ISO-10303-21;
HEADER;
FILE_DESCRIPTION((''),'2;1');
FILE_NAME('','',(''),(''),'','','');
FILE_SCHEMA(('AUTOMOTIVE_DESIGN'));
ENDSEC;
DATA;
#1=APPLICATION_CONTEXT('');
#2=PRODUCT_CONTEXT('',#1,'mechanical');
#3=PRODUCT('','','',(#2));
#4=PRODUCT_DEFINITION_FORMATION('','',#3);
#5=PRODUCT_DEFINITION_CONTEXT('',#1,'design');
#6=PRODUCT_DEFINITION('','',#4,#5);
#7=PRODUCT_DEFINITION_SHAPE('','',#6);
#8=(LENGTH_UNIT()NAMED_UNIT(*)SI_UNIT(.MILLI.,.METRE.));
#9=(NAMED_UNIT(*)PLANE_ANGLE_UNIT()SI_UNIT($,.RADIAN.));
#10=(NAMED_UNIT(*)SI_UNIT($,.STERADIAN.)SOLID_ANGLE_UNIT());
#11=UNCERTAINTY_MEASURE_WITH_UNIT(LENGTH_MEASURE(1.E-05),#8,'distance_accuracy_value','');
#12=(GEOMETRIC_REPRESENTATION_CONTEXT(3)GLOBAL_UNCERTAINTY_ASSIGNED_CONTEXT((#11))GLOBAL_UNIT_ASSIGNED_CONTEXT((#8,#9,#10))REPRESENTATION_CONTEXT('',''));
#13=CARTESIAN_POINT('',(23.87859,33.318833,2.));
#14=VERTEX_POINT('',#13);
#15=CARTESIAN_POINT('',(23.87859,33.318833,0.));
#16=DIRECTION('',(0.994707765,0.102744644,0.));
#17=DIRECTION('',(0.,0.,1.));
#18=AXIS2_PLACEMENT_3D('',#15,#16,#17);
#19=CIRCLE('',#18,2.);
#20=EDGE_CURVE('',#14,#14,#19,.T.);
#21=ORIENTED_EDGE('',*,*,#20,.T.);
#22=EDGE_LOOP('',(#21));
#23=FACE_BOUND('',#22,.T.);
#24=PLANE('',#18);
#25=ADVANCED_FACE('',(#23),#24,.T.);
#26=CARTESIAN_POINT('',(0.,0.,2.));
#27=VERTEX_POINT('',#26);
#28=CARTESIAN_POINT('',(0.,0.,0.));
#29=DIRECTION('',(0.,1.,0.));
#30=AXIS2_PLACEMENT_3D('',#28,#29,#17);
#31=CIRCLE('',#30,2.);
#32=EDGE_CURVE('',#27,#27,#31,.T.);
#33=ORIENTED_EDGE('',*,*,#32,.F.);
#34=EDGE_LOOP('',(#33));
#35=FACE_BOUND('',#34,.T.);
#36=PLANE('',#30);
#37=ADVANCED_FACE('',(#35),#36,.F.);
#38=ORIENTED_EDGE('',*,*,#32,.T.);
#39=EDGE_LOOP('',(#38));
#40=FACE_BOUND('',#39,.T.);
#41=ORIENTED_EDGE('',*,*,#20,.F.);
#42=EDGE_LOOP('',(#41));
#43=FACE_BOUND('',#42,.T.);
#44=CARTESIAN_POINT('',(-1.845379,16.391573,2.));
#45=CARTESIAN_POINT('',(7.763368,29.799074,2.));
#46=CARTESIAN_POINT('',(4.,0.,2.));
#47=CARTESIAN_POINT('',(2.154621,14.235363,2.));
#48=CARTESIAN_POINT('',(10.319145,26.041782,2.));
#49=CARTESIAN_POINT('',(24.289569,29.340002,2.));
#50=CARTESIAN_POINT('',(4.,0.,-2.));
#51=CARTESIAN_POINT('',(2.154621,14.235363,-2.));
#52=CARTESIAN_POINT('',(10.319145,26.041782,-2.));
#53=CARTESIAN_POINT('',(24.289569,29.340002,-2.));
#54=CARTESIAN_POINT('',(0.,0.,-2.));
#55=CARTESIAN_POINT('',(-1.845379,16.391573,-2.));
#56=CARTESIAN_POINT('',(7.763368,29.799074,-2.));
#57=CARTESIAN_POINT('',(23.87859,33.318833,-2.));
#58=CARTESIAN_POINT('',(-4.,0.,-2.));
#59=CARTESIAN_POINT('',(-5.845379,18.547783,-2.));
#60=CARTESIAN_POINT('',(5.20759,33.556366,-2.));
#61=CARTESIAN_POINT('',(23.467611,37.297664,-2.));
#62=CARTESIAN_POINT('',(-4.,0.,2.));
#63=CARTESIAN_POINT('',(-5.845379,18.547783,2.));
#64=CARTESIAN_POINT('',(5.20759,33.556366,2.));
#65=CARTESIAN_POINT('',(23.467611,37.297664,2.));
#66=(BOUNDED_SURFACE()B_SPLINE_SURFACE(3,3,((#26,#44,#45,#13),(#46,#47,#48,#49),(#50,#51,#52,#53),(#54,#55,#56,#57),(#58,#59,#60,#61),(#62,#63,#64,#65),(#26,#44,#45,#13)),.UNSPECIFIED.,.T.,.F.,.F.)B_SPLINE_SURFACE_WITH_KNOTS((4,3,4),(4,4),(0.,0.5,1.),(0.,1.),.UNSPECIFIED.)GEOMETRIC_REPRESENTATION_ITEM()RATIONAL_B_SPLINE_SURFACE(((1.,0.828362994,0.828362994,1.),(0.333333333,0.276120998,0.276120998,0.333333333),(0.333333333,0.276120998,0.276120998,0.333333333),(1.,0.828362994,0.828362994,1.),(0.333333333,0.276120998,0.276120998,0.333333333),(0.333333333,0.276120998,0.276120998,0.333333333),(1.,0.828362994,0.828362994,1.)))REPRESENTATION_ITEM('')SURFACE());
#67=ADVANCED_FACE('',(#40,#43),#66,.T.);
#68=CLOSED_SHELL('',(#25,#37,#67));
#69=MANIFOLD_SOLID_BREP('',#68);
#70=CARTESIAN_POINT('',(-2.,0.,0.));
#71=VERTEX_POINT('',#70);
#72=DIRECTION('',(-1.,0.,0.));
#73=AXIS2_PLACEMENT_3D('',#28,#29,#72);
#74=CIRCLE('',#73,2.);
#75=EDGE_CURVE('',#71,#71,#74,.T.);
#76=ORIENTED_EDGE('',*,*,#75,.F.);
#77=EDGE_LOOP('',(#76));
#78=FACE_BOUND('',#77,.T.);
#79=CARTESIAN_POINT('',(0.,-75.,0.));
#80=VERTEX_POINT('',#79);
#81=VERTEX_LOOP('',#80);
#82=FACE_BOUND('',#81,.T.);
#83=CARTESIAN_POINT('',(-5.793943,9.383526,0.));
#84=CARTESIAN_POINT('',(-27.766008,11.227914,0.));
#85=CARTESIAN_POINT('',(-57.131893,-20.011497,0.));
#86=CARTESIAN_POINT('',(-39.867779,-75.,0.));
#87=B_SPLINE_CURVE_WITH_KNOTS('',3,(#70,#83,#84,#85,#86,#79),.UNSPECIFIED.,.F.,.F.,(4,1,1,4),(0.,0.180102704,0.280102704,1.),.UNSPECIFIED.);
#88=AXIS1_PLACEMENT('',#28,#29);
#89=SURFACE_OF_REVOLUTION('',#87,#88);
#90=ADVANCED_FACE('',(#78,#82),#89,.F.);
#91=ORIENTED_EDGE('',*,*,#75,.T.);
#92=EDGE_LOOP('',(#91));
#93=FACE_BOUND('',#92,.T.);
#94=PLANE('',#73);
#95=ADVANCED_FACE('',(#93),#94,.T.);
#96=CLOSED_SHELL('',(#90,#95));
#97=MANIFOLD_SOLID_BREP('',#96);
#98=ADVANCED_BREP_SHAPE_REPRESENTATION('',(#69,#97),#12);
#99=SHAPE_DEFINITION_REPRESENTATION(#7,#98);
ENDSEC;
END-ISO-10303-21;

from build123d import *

# Parameters (mm, degrees)
IZIM3_R = 2


with BuildPart() as part:
    # Çizim1 → Döndür1 (revolve)
    with BuildSketch(Plane.XY):
        with BuildLine():
            Line((0, 0), (0, -75))
            add(Edge.make_bspline(
                [(-2, 0), (-5.793943173, 9.383525762), (-27.766007605, 11.227914309), (-57.131892537, -20.01149667), (-39.867778538, -75), (0, -75)],
                knots=[0, 0, 0, 0, 0.180102704, 0.280102704, 1, 1, 1, 1], degree=3))
            Line((-2, 0), (0, 0))
        make_face()
    revolve(axis=Axis((0, 0, 0), (0, -1, 0)))


with BuildPart() as body_2:
    # Süpür1: sweep along a path in Çizim2
    with BuildLine(Plane.XY) as s_p_r1_path:
        ThreePointArc((0, 0), (5.535772425, 21.248625635), (23.878590005, 33.318833212))
    # Çizim3 → Süpür1 (sweep)
    with BuildSketch(Plane(origin=(0, 0, 0), x_dir=(1, 0, 0), z_dir=(0, 1, 0))):
        Circle(IZIM3_R)
    sweep(path=s_p_r1_path.line)


solid = Compound([part.part, body_2.part])
